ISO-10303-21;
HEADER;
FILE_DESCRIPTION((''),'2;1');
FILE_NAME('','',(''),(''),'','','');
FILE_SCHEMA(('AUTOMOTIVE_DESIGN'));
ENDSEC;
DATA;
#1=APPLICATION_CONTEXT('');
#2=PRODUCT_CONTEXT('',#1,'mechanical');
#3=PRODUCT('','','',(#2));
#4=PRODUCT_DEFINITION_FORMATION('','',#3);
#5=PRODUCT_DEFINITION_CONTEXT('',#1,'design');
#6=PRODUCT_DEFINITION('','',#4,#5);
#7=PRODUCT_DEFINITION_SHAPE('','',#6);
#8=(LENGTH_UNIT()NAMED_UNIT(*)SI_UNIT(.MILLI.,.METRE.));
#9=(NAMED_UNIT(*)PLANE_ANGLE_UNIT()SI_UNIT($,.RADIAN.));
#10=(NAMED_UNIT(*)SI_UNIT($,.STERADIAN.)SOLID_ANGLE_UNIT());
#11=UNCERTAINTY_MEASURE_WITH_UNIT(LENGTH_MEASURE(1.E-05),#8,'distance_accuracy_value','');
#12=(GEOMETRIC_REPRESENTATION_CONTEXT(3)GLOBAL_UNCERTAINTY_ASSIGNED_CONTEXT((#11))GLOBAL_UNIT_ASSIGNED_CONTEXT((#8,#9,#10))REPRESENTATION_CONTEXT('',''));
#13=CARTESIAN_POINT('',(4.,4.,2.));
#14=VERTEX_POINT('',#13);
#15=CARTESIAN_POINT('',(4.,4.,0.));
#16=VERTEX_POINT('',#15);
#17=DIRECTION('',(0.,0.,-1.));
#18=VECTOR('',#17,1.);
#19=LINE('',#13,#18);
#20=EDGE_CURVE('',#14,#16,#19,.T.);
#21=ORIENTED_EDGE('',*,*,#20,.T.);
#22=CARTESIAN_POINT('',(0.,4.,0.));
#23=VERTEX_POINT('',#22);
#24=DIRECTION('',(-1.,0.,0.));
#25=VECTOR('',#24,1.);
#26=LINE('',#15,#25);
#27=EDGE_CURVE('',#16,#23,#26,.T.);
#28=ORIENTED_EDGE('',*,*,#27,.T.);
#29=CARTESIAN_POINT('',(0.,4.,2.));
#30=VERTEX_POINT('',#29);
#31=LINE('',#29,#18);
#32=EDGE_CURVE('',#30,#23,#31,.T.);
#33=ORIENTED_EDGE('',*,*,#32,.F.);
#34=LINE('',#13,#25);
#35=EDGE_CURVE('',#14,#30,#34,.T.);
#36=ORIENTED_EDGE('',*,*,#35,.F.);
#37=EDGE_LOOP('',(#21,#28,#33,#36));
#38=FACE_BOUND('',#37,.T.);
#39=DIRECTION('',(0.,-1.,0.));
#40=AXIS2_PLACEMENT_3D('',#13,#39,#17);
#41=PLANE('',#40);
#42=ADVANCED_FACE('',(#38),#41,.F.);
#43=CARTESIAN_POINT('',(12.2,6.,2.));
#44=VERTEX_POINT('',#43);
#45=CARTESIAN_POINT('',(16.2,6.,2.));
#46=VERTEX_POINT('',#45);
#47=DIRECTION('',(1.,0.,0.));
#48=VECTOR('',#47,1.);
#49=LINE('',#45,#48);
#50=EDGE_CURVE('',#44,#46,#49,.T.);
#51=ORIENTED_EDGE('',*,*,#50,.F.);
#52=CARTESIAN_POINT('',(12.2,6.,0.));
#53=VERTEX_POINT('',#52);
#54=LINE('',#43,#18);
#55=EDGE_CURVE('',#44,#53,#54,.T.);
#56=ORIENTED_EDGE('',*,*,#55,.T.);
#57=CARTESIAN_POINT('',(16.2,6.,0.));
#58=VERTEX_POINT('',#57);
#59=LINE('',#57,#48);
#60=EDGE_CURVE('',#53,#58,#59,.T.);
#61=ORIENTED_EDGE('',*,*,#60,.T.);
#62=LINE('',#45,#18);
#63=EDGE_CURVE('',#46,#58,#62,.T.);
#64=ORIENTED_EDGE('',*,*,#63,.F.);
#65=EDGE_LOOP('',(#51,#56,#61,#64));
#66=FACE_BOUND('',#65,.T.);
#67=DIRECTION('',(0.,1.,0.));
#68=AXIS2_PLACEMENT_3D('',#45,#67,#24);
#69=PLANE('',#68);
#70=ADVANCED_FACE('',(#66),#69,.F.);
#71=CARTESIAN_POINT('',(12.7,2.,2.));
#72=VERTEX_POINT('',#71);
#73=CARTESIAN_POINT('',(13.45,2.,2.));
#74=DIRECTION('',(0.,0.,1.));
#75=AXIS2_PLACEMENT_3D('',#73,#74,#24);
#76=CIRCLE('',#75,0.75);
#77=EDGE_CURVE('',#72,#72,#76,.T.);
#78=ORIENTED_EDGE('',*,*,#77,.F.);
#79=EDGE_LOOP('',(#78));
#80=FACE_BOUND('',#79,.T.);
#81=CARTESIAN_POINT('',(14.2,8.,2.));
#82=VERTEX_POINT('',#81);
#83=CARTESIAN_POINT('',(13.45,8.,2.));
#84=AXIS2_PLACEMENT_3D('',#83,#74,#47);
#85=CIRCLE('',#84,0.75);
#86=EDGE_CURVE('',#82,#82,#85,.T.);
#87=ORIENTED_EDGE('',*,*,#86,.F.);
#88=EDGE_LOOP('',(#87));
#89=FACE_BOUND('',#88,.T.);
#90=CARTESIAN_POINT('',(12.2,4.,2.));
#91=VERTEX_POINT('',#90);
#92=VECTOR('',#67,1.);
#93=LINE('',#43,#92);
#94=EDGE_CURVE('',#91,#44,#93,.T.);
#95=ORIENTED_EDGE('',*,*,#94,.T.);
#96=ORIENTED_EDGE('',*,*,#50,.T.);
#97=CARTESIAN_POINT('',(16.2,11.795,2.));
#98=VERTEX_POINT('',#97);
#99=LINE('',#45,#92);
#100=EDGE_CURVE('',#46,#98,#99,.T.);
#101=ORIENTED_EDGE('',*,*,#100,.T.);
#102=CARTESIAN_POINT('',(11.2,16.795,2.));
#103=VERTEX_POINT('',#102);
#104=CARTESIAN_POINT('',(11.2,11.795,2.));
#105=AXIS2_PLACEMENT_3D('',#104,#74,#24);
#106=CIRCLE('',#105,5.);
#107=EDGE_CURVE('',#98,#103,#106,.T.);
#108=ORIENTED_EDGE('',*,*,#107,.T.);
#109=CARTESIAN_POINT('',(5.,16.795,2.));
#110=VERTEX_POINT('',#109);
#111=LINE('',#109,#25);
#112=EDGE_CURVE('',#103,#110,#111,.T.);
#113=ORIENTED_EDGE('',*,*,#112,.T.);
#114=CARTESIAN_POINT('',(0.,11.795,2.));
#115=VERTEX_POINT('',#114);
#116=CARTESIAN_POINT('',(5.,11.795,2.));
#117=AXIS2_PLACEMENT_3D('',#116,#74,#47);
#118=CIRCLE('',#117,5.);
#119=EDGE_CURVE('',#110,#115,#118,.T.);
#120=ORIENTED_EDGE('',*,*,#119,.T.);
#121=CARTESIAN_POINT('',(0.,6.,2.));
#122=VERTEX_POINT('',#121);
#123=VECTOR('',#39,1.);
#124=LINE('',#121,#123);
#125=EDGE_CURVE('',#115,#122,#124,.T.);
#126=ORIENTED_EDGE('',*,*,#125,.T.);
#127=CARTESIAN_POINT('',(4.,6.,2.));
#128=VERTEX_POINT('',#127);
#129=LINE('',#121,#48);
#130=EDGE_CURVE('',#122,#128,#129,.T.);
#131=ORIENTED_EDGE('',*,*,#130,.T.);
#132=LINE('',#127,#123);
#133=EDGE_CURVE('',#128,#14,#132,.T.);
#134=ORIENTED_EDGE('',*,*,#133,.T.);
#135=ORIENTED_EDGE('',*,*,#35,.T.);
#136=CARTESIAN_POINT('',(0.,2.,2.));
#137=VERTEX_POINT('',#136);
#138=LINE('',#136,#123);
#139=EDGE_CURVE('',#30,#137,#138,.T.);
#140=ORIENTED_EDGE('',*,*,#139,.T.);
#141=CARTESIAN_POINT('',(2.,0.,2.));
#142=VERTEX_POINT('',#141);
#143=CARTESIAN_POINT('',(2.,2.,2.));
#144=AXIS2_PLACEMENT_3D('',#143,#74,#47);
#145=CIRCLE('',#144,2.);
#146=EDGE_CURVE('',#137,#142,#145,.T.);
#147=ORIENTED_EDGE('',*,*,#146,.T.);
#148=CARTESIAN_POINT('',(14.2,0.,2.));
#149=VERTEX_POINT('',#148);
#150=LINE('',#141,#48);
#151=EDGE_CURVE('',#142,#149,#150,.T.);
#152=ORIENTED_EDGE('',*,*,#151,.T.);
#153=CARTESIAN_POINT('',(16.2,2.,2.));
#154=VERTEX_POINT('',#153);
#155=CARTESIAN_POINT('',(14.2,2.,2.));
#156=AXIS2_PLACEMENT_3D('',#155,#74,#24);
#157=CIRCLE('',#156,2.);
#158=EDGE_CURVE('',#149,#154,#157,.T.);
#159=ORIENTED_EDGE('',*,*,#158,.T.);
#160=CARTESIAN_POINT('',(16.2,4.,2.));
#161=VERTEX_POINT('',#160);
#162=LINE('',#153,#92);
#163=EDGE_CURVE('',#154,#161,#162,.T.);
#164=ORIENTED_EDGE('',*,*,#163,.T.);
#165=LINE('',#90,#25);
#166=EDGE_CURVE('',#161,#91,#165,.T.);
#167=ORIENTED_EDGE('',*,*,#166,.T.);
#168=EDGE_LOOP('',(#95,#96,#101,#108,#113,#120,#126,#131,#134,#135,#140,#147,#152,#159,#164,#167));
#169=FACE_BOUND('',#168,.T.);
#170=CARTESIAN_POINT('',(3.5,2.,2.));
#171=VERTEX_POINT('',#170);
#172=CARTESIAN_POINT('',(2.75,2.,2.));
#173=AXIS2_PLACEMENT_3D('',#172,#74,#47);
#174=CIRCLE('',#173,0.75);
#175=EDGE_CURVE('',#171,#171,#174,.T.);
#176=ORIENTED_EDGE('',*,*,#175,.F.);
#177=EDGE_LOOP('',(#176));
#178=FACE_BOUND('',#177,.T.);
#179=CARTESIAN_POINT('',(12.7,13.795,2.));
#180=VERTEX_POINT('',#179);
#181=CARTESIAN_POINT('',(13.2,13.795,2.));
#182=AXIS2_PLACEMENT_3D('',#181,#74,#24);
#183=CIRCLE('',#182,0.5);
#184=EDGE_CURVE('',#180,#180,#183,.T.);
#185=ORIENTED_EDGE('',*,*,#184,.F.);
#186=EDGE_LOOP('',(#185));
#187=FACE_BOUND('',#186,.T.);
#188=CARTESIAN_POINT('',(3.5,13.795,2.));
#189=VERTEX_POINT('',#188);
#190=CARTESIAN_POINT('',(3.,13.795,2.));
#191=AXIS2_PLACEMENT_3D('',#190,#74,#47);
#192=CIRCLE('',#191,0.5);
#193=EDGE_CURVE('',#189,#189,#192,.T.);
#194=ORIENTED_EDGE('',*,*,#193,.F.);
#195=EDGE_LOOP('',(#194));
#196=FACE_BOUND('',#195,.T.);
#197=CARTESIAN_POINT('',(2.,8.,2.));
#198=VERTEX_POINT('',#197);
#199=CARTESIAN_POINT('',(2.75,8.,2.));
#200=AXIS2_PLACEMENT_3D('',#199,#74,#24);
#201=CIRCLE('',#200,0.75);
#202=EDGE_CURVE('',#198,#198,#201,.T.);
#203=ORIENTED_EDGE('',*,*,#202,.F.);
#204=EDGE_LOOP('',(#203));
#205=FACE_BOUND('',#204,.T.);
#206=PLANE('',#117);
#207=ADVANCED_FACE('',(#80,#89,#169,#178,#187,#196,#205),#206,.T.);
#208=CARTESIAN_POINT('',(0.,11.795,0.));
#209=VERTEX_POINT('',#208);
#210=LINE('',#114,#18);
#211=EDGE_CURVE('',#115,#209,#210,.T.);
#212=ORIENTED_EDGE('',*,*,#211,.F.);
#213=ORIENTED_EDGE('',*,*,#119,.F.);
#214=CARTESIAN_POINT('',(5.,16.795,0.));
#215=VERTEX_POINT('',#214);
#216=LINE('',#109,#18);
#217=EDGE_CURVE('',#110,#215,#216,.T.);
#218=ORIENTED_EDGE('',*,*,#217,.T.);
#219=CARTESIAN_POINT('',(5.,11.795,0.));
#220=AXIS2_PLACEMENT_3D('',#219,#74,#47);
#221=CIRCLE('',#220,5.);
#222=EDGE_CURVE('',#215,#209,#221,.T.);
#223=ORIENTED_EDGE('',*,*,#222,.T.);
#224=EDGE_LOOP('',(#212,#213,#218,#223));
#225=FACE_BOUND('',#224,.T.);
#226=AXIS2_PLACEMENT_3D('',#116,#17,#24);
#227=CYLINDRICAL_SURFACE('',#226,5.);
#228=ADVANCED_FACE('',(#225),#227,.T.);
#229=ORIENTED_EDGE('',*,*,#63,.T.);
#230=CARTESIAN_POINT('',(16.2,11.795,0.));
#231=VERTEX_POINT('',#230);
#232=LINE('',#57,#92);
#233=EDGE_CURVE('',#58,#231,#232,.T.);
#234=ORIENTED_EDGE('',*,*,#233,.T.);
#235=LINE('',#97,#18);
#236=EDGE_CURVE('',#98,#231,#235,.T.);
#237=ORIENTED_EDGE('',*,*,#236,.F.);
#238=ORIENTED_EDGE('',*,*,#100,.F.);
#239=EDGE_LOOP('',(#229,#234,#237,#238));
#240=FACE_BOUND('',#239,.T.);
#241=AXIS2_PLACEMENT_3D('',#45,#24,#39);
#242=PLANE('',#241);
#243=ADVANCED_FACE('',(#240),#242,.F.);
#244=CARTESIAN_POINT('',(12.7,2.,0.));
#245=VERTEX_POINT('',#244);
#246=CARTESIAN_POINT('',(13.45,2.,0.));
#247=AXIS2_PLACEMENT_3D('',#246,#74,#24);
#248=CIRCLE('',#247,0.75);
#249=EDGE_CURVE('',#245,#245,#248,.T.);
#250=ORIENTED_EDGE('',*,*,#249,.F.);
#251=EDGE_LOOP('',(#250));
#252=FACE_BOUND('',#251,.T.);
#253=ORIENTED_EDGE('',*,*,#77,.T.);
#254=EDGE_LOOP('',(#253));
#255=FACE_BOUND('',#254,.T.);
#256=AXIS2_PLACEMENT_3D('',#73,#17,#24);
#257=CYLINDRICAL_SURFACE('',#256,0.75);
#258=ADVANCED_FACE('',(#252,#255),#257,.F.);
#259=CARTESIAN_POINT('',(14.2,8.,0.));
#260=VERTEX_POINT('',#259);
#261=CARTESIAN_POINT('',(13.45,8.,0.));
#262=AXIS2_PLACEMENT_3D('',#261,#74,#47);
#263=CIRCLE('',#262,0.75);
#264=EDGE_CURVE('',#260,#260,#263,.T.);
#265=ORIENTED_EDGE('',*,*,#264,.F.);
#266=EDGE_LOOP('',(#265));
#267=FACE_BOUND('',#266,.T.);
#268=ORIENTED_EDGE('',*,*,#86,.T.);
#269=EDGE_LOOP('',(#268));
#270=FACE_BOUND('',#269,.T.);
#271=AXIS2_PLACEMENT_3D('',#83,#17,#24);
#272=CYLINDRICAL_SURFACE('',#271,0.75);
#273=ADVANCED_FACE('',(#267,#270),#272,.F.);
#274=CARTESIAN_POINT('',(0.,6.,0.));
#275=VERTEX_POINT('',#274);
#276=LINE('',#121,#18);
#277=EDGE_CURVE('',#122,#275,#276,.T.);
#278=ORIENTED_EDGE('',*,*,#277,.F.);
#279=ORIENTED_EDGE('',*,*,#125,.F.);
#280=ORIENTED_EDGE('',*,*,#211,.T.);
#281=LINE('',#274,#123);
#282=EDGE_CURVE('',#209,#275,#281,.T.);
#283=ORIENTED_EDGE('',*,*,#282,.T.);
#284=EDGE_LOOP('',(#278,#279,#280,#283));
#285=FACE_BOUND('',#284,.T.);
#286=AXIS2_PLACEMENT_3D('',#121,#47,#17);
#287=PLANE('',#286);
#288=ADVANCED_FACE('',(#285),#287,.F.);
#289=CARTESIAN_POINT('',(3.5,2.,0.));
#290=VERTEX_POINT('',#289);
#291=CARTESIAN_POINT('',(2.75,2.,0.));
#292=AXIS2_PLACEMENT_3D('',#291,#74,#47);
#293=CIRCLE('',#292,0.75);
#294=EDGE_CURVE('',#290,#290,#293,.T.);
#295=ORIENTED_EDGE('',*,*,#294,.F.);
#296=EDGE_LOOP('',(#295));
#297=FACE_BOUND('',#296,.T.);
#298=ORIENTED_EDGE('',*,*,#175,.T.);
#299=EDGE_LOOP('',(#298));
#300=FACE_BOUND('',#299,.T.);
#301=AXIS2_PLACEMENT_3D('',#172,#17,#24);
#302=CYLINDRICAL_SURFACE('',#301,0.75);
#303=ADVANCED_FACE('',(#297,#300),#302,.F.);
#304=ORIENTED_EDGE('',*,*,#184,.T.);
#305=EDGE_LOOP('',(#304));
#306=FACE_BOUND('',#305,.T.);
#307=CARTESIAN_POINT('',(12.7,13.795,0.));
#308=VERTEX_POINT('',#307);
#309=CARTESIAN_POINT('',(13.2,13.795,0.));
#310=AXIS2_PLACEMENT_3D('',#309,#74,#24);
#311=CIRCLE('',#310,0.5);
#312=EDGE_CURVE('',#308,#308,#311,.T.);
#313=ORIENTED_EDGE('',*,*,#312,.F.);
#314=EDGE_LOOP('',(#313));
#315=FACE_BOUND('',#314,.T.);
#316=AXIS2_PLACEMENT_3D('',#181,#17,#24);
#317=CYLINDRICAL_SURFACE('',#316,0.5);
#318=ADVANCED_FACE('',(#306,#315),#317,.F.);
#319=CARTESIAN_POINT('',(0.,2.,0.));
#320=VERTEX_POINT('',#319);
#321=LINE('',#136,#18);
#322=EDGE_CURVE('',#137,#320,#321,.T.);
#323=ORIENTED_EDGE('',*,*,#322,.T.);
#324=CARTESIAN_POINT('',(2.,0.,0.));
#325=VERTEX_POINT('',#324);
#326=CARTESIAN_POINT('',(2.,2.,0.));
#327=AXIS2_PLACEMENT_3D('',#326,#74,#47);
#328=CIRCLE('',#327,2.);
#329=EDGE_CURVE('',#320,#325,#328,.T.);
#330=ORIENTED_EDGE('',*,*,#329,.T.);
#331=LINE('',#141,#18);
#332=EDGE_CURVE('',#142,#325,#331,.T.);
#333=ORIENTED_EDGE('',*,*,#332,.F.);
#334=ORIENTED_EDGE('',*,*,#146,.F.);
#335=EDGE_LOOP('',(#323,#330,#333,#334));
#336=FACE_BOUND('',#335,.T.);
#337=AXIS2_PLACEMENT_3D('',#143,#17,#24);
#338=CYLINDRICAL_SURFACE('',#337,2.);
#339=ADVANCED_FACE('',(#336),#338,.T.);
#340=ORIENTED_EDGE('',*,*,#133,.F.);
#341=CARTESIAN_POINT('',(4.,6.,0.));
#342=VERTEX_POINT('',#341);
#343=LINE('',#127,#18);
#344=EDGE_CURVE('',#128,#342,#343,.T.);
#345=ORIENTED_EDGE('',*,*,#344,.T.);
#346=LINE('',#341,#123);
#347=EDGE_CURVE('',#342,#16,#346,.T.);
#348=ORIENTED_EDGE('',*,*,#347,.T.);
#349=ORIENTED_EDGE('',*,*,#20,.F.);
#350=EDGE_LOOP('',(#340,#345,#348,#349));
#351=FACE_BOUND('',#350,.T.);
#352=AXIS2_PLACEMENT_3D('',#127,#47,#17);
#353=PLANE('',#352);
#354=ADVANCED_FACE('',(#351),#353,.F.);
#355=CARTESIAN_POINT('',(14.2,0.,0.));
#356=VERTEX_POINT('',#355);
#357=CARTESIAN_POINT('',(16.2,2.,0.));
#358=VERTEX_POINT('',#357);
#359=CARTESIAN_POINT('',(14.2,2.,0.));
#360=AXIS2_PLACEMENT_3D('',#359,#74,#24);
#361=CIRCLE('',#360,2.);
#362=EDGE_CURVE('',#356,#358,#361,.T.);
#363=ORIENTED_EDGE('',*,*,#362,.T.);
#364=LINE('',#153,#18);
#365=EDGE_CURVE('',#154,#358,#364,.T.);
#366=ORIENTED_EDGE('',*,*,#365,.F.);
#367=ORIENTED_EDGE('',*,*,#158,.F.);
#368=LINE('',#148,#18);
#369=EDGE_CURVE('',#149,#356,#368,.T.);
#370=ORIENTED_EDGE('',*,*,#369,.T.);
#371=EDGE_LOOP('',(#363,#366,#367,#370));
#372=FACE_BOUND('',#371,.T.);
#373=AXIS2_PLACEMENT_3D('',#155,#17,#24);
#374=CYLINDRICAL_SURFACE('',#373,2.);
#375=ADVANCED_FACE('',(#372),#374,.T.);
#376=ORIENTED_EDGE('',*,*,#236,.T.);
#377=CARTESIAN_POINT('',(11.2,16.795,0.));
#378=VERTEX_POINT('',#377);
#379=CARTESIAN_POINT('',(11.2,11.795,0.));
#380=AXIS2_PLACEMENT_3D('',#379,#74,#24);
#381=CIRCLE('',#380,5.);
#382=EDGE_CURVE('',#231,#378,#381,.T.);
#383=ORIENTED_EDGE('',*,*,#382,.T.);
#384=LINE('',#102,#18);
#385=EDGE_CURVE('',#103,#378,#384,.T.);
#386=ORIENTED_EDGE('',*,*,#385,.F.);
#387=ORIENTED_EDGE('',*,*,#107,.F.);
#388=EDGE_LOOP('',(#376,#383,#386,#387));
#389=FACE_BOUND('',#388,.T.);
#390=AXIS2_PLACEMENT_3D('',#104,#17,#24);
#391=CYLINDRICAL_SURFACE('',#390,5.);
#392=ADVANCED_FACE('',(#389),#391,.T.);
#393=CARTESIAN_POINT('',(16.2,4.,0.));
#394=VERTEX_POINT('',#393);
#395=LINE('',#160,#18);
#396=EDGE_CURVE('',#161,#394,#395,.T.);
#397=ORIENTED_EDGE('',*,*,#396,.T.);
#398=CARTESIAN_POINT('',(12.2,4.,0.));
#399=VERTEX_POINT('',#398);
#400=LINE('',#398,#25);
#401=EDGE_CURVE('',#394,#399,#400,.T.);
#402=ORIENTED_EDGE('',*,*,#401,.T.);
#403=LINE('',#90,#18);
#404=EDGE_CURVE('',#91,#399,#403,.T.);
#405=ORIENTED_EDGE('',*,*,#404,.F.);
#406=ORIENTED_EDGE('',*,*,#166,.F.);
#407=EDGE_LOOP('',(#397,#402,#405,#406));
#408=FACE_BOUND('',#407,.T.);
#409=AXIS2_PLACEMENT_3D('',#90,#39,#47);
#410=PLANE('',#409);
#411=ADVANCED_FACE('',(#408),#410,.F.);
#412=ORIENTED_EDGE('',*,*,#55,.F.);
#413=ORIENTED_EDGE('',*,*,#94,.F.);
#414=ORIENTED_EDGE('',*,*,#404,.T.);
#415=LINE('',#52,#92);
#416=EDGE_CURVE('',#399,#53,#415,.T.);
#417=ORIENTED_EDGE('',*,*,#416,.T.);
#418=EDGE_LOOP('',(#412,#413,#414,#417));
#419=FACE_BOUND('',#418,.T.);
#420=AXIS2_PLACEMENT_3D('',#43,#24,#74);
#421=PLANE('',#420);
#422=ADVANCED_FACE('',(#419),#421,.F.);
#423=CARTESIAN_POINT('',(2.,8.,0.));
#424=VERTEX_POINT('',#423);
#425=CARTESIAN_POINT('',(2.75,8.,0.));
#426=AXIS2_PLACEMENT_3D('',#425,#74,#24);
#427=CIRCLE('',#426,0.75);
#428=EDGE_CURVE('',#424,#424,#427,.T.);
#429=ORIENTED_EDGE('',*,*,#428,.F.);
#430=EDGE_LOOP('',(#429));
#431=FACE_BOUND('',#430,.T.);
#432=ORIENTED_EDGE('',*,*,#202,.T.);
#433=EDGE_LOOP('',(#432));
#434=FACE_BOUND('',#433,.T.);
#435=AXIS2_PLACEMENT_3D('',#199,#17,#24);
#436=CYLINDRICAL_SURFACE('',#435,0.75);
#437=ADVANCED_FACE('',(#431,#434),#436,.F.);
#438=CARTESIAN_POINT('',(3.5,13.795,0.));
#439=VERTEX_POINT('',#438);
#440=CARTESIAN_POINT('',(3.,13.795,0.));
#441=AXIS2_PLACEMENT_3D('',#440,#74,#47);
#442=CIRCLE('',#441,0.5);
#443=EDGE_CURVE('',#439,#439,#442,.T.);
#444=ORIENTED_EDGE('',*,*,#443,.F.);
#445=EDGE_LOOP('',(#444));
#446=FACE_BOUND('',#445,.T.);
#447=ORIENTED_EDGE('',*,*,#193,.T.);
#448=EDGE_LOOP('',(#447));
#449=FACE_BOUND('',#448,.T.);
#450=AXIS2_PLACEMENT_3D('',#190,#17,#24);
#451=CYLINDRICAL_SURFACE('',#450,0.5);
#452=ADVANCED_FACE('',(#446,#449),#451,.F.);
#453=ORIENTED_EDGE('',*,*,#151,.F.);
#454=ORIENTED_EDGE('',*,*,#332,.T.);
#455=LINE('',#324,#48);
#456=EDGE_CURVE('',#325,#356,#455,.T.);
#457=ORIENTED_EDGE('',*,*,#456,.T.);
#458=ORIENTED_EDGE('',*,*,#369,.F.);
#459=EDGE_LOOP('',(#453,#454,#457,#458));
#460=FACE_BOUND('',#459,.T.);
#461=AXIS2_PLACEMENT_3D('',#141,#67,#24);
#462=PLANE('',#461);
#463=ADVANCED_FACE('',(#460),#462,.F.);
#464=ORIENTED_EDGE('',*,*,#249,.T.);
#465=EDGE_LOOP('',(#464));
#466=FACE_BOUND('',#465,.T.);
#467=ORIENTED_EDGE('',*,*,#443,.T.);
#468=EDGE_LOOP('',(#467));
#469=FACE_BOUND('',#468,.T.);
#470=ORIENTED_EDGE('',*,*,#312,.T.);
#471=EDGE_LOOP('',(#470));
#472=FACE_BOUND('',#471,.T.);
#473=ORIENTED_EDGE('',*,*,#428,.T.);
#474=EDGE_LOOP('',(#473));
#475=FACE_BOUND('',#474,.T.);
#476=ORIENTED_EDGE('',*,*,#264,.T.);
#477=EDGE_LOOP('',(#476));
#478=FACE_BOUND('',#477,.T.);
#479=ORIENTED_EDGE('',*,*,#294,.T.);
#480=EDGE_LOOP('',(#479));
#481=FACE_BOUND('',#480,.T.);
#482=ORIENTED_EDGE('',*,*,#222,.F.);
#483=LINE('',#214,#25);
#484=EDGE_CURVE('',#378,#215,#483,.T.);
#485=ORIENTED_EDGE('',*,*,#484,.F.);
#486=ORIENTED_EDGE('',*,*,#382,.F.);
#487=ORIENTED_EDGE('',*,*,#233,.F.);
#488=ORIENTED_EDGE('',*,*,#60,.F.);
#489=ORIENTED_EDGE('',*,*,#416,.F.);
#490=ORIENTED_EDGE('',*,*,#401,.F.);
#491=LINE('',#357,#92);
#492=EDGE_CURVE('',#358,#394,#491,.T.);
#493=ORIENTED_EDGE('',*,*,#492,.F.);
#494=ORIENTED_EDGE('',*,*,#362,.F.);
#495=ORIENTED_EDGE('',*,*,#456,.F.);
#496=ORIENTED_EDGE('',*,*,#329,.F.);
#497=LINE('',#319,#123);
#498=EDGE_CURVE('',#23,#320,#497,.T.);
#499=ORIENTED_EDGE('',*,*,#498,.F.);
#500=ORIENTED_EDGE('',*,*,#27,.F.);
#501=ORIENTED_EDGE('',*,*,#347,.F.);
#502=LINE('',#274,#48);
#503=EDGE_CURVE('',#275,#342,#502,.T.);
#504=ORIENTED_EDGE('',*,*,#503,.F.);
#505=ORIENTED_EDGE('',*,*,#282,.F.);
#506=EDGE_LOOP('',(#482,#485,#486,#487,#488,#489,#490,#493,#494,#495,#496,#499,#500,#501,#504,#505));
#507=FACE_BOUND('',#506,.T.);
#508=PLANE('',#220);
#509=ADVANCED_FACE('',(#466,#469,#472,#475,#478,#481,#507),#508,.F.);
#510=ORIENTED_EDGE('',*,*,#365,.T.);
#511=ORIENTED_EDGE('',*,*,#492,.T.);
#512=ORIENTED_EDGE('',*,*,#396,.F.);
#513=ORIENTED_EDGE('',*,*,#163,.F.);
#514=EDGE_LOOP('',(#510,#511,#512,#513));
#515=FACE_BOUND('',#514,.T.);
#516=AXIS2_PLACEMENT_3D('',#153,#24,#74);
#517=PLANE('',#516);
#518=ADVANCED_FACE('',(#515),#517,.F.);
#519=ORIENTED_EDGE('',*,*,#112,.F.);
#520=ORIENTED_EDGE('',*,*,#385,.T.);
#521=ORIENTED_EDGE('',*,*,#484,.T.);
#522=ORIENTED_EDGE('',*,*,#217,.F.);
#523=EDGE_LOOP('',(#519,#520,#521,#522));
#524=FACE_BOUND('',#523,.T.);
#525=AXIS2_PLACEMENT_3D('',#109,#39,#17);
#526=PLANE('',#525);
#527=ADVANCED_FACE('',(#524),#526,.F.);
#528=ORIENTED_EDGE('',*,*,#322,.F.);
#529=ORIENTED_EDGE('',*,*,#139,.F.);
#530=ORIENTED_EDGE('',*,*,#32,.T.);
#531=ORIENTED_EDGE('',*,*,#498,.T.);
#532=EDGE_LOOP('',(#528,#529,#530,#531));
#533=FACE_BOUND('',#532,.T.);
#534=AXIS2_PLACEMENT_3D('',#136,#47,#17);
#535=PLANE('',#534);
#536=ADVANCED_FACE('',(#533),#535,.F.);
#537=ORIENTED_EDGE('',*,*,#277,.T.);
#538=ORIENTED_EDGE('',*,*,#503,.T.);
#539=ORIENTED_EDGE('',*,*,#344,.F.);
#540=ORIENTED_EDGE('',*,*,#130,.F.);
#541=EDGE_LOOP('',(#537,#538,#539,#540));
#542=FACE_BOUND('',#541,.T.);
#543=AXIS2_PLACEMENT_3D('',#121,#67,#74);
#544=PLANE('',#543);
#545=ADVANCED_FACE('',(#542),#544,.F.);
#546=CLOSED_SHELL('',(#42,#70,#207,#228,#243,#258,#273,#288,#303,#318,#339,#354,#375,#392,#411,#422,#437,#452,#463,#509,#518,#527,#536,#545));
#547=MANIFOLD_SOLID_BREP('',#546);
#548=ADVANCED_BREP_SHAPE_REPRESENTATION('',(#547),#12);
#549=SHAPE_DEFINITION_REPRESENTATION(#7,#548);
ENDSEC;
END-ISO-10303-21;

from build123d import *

# Parameters (mm, degrees)
SKETCH1_R           = 0.75
SKETCH1_R_2         = 0.5
BOSS_EXTRUDE1_DEPTH = 2


with BuildPart() as part:
    # Sketch1 → Boss-Extrude1 (new body)
    with BuildSketch(Plane.XY):
        with BuildLine():
            Line((0, 6), (0, 11.795))
            ThreePointArc((0, 11.795), (1.464466094, 15.330533906), (5, 16.795))
            Line((5, 16.795), (11.2, 16.795))
            ThreePointArc((11.2, 16.795), (14.735533906, 15.330533906), (16.2, 11.795))
            Line((16.2, 11.795), (16.2, 6))
            Line((16.2, 6), (12.2, 6))
            Line((12.2, 6), (12.2, 4))
            Line((12.2, 4), (16.2, 4))
            Line((16.2, 4), (16.2, 2))
            ThreePointArc((16.2, 2), (15.614213562, 0.585786438), (14.2, 0))
            Line((14.2, 0), (2, 0))
            ThreePointArc((2, 0), (0.585786438, 0.585786438), (0, 2))
            Line((0, 2), (0, 4))
            Line((0, 4), (4, 4))
            Line((4, 4), (4, 6))
            Line((4, 6), (0, 6))
        make_face()
        with Locations((13.45, 2)):
            Circle(SKETCH1_R, mode=Mode.SUBTRACT)
        with Locations((13.45, 8)):
            Circle(SKETCH1_R, mode=Mode.SUBTRACT)
        with Locations((3, 13.795)):
            Circle(SKETCH1_R_2, mode=Mode.SUBTRACT)
        with Locations((13.2, 13.795)):
            Circle(SKETCH1_R_2, mode=Mode.SUBTRACT)
        with Locations((2.75, 8)):
            Circle(SKETCH1_R, mode=Mode.SUBTRACT)
        with Locations((2.75, 2)):
            Circle(SKETCH1_R, mode=Mode.SUBTRACT)
    extrude(amount=BOSS_EXTRUDE1_DEPTH)


solid = part.part
